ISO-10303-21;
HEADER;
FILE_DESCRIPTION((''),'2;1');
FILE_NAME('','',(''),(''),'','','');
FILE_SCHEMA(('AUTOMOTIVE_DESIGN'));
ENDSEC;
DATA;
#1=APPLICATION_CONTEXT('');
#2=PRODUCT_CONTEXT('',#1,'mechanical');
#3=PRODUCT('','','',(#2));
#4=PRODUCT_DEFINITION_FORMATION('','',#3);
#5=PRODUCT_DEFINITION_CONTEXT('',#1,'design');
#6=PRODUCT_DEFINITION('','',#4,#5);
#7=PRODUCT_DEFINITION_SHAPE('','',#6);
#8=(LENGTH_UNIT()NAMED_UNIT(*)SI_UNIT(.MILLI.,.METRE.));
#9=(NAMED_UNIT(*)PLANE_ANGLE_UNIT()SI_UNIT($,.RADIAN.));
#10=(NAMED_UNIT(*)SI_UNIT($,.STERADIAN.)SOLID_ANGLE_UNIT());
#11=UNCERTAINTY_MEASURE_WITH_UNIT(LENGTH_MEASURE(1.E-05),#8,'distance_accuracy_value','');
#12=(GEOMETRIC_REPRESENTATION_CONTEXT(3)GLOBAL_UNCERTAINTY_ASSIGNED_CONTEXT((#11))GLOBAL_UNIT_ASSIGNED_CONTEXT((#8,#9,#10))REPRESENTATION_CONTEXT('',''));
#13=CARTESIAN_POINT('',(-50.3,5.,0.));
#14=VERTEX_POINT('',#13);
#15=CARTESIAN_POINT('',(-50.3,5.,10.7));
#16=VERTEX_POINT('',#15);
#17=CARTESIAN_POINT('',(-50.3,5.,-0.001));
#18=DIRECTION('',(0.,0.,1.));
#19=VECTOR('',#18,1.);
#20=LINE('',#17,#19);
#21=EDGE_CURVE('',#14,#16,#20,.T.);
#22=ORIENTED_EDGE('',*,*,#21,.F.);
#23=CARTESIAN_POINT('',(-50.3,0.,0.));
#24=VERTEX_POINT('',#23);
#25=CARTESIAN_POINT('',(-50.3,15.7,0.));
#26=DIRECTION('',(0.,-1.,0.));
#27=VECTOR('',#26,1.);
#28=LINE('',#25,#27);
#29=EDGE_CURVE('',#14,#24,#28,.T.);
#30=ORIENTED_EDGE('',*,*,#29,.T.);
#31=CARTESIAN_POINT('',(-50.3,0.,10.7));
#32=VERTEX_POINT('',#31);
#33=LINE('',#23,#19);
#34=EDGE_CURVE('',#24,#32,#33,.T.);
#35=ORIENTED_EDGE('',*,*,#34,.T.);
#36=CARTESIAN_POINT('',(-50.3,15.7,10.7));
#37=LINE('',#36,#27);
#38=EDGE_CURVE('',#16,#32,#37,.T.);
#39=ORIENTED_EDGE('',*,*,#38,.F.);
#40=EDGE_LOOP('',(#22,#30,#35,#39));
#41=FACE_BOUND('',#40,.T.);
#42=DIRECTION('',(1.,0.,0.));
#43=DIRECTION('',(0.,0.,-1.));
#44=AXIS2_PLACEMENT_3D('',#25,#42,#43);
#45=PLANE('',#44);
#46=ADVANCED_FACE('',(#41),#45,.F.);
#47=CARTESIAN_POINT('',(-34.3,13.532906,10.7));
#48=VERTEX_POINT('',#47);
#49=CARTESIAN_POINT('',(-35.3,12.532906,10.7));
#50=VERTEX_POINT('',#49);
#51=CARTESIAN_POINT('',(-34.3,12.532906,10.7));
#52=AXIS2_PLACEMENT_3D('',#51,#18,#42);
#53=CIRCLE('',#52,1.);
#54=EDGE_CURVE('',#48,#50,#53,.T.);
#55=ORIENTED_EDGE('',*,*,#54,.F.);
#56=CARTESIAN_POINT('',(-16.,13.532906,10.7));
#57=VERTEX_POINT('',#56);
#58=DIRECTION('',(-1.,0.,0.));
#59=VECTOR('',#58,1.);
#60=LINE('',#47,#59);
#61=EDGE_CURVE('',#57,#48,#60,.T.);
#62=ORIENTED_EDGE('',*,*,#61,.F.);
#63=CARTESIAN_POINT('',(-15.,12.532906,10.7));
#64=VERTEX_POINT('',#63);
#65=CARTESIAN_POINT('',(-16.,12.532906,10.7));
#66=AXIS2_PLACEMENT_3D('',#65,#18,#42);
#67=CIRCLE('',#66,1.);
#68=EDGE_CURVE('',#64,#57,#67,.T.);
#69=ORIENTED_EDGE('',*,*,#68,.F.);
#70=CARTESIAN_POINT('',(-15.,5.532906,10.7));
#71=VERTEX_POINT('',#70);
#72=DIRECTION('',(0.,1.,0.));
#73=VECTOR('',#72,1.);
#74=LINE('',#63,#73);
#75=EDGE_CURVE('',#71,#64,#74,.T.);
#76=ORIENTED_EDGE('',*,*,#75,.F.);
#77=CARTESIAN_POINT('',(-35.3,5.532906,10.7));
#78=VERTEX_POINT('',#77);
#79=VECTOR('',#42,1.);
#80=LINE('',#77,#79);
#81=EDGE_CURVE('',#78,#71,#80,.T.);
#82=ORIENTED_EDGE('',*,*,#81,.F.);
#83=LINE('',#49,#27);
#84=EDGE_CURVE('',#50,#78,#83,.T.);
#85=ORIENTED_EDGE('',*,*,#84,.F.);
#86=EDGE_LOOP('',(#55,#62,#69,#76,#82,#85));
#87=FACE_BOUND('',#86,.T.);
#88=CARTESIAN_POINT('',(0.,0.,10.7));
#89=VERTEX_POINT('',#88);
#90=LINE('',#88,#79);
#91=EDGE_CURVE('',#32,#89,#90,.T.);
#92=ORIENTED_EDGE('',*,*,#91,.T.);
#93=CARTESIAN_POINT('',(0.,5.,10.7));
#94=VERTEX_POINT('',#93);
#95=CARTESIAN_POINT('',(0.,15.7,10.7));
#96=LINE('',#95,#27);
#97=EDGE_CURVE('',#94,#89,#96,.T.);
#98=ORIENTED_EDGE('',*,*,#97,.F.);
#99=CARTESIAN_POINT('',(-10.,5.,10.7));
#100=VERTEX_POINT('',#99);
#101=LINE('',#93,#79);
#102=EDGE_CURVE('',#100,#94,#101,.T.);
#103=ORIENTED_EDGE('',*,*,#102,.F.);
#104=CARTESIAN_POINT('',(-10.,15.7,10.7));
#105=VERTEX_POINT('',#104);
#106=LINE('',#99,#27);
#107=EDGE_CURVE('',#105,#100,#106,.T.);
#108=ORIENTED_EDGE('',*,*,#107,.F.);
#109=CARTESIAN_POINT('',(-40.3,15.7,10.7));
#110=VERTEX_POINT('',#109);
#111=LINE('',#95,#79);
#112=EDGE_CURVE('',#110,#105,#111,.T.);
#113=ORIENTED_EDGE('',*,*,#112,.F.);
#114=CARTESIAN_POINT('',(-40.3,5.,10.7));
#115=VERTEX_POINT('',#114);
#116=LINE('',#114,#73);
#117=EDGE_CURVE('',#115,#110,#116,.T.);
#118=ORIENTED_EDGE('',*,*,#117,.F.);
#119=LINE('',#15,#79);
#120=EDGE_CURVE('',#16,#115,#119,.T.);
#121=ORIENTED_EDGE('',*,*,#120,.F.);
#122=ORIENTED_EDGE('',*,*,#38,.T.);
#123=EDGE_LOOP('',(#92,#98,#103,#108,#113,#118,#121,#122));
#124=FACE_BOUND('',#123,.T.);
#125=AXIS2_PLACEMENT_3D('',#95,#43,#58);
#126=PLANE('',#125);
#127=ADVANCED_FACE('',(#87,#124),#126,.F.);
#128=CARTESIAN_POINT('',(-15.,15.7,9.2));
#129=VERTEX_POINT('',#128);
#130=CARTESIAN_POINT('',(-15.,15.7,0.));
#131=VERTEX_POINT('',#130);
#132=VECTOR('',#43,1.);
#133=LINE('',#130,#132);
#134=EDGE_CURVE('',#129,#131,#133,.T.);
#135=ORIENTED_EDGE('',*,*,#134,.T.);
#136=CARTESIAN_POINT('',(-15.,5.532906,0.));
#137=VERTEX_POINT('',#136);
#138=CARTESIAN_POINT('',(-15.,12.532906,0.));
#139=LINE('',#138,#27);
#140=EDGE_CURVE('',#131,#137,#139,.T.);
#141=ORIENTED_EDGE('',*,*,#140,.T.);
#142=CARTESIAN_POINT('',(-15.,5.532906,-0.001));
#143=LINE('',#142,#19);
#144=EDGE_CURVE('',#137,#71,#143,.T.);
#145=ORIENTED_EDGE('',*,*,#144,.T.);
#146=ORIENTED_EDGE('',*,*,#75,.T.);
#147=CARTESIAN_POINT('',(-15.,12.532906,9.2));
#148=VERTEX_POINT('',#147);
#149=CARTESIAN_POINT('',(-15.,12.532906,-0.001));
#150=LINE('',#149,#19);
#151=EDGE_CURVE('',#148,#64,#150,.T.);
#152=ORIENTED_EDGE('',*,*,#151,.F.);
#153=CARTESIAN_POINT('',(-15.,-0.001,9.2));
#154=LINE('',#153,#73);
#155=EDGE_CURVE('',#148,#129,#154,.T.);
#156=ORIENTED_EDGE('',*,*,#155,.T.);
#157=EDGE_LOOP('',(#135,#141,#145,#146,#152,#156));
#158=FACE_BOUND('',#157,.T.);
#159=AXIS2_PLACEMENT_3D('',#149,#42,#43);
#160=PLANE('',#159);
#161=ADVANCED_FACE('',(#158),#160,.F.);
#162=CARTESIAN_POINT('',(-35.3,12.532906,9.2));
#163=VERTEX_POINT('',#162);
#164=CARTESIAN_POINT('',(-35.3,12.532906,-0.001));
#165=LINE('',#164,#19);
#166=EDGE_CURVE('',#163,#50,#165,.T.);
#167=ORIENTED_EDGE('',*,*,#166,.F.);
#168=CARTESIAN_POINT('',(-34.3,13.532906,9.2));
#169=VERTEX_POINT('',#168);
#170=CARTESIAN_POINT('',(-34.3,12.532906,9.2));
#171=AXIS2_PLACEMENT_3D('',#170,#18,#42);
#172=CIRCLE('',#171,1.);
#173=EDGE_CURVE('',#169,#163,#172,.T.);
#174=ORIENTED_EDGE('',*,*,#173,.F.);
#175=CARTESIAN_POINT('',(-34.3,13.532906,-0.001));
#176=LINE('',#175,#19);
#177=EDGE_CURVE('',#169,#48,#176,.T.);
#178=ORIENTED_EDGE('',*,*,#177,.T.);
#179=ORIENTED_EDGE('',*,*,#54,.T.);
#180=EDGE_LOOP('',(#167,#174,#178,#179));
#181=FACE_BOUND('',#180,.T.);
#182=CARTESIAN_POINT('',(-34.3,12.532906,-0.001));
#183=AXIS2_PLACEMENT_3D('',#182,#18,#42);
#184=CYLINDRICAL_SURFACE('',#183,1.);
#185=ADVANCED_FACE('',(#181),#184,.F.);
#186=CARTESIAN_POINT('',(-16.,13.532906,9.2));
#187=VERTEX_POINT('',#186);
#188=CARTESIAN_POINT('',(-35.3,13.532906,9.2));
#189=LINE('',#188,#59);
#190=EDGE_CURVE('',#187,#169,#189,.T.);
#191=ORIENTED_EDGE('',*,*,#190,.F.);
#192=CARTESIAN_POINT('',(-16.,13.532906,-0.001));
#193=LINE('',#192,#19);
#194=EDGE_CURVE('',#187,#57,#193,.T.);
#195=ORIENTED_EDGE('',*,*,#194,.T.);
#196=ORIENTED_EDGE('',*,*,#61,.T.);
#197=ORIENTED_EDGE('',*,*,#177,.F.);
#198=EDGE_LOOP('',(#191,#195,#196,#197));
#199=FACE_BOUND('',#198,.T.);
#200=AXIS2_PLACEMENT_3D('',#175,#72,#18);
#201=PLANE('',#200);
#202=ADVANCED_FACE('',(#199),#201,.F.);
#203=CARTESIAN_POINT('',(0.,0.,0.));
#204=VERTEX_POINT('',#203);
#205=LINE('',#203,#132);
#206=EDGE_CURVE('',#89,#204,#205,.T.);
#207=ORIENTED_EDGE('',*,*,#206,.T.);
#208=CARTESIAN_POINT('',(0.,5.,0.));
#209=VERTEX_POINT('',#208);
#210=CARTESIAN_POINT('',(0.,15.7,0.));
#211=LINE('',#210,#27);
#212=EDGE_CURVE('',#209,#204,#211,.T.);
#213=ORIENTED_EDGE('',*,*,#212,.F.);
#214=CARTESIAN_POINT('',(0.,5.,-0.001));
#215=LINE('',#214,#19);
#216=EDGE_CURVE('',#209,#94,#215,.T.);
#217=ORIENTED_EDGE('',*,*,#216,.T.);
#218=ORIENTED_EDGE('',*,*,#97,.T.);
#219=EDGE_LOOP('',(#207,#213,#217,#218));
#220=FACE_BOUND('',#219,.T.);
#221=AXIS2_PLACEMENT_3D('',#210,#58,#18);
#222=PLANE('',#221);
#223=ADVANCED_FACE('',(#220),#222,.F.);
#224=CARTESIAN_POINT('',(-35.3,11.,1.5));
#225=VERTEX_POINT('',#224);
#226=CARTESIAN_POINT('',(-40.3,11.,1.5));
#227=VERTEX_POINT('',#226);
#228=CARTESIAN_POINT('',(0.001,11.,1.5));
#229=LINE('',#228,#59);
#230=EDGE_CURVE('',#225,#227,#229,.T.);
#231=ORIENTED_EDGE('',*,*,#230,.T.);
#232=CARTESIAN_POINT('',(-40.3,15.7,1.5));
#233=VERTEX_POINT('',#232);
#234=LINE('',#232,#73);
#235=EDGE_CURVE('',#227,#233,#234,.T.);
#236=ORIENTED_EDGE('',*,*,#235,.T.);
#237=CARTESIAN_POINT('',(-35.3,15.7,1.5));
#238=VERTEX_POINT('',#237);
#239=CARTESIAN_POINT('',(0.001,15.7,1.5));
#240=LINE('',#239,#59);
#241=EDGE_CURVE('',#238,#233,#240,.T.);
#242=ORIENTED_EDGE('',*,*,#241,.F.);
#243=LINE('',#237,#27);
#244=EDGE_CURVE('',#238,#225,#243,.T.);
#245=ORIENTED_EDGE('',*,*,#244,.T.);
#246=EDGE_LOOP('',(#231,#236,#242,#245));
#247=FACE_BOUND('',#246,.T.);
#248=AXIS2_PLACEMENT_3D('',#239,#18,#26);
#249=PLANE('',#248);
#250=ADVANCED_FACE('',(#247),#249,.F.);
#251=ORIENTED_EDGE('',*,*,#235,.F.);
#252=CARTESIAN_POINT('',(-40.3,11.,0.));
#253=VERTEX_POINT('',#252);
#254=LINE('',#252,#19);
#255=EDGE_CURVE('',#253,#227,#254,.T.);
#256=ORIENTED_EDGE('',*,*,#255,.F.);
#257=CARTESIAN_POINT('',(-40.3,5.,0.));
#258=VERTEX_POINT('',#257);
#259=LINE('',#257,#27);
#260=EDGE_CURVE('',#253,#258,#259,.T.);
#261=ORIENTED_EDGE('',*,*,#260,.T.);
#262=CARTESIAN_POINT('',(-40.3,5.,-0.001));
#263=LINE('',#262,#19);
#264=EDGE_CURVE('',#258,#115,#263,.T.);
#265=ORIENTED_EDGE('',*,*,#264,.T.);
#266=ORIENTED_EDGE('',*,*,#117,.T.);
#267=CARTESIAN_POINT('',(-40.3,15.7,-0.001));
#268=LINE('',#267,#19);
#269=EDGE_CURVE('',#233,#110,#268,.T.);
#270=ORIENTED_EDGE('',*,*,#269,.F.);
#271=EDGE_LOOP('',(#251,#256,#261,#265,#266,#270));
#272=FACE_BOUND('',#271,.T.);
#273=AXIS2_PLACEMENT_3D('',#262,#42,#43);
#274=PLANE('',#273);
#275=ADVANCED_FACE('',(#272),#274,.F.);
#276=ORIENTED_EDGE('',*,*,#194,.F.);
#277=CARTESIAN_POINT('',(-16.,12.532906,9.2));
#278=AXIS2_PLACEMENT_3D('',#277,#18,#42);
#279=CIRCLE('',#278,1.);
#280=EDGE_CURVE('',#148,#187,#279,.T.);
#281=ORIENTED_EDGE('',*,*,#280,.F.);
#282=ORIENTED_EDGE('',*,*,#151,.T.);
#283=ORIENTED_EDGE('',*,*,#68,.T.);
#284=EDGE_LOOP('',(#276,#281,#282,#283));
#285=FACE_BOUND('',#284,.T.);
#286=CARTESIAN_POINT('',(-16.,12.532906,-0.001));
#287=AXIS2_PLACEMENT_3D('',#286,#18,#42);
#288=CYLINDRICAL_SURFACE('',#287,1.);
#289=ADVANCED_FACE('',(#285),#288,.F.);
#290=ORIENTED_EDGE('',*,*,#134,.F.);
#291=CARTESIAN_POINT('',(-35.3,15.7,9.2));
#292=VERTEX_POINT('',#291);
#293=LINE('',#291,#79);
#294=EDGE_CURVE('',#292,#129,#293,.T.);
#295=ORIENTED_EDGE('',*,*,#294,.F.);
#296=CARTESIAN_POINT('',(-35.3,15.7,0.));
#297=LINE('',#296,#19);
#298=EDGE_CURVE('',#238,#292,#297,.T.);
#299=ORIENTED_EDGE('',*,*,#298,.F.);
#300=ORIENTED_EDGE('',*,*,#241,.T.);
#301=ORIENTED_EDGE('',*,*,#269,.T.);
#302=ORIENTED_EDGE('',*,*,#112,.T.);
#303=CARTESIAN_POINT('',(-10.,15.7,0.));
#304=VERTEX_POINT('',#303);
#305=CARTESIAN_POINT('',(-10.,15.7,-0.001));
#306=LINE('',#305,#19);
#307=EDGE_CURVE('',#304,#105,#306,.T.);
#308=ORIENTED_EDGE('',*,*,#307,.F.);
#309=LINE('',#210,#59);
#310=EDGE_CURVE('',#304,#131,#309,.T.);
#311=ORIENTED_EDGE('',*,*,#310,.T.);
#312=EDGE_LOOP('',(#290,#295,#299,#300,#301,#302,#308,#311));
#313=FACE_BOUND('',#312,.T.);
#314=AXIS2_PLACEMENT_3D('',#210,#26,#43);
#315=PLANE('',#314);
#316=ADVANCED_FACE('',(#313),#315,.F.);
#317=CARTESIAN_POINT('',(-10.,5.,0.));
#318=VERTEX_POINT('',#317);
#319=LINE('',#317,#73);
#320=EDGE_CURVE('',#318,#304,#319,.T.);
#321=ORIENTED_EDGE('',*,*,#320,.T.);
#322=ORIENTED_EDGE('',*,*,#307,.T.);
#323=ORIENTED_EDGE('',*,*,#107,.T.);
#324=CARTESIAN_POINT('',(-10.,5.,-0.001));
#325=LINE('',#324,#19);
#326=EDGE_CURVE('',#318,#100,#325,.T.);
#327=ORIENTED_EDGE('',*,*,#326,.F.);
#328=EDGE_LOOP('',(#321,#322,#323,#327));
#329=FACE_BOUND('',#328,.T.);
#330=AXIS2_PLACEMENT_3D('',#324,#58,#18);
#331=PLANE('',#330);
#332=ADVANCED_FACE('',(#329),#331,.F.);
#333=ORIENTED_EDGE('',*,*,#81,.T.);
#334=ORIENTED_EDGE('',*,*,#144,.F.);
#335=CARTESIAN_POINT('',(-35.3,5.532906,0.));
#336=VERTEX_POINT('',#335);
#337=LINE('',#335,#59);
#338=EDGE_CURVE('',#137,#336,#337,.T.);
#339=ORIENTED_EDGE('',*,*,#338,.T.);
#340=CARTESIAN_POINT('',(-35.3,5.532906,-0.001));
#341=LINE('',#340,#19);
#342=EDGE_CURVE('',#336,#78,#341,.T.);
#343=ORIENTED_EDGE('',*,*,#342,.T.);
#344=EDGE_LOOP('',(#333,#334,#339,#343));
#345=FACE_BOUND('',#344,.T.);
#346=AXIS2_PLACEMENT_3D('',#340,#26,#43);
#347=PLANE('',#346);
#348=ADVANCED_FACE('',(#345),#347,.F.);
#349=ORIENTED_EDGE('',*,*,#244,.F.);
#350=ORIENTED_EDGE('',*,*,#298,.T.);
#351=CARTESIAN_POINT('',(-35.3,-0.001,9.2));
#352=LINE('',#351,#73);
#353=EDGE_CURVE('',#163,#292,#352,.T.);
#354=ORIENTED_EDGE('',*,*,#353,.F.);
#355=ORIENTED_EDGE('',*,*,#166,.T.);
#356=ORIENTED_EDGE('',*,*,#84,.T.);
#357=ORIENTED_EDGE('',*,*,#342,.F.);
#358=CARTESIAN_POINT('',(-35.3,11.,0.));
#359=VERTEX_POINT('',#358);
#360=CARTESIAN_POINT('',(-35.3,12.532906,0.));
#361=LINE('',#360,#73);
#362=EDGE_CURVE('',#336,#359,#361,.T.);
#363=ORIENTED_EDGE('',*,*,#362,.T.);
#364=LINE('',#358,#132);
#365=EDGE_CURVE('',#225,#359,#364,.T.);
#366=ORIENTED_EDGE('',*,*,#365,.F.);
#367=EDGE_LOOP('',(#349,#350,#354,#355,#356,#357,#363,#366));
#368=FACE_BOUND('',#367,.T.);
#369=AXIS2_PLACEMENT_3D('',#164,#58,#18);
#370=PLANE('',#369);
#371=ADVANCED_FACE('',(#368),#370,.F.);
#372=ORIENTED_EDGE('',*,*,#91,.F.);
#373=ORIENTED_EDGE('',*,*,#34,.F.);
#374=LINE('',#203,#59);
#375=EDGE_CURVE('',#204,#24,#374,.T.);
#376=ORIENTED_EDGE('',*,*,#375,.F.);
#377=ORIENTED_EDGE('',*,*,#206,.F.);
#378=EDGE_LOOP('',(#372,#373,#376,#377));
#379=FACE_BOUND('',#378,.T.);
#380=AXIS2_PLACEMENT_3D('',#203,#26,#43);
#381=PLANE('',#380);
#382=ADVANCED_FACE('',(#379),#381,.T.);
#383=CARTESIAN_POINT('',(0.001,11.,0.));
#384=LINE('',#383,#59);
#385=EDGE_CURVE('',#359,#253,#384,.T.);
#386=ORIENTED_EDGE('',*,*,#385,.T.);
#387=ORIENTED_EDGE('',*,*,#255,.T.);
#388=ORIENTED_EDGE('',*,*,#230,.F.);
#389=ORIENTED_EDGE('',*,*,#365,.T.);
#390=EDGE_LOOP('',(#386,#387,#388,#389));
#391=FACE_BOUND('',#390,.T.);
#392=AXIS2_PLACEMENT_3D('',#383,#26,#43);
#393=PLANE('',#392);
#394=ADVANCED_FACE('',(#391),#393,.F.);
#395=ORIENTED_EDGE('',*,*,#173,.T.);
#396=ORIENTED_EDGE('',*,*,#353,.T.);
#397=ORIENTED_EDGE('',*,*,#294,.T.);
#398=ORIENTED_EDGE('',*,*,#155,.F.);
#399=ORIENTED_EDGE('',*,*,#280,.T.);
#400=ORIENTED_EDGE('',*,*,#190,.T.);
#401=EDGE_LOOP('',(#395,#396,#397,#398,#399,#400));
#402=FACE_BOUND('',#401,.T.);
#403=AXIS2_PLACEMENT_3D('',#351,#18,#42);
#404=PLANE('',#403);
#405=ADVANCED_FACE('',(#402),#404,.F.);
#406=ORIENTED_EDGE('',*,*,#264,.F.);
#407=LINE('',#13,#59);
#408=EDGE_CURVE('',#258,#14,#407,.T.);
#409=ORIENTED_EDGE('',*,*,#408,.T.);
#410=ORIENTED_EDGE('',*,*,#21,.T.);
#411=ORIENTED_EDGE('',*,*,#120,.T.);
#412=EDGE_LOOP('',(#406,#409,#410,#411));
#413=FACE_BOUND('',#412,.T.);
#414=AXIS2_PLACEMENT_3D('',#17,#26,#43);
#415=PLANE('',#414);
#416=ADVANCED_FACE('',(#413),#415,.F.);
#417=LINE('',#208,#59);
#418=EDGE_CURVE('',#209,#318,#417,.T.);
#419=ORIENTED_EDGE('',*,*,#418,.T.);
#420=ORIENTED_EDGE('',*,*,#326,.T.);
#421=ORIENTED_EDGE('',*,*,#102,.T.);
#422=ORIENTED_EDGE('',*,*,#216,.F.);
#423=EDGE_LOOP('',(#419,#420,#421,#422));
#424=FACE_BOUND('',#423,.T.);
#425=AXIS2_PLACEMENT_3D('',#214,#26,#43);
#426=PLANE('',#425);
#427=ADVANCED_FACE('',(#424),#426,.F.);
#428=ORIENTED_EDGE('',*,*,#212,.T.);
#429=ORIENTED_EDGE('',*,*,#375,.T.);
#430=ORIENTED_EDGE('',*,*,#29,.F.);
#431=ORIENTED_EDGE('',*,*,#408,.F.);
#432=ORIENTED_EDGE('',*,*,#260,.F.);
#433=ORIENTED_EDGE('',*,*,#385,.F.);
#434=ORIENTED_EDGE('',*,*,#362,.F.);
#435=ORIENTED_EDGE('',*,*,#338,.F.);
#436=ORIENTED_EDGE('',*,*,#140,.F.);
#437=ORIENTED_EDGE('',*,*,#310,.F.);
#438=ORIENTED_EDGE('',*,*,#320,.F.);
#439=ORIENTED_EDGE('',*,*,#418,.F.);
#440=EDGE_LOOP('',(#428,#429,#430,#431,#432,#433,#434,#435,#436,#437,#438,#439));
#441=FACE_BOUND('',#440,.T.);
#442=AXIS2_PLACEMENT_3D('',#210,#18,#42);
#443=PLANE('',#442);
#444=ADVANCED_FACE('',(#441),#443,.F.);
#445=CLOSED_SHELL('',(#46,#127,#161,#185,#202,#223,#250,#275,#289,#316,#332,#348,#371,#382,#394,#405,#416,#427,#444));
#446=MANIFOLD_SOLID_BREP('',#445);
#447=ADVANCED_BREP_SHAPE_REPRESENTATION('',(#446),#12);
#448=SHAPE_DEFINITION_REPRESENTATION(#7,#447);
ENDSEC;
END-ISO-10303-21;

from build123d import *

# Parameters (mm, degrees)
CROQUIS1_W              = 50.3
CROQUIS1_H              = 10.7
SALIENTE_EXTRUIR1_DEPTH = 15.7
CORTAR_EXTRUIR1_REACH   = 55.769
CROQUIS2_W              = 10
CROQUIS2_H              = 10.7
CORTAR_EXTRUIR2_REACH   = 55.769
CROQUIS3_W              = 20.3
CROQUIS3_H              = 9.2
CORTAR_EXTRUIR3_REACH   = 46.554
CROQUIS4_W              = 1.5
CROQUIS4_H              = 4.7


with BuildPart() as part:
    # Croquis1 → Saliente-Extruir1 (new body)
    with BuildSketch(Plane(origin=(0, 0, 0), x_dir=(1, 0, 0), z_dir=(0, 1, 0))):
        with Locations((-25.15, -5.35)):
            Rectangle(CROQUIS1_W, CROQUIS1_H)
    extrude(amount=SALIENTE_EXTRUIR1_DEPTH)

    # Croquis2 → Cortar-Extruir1 (cut, up to next)
    with BuildSketch(Plane.XY.offset(10.7), mode=Mode.PRIVATE) as cortar_extruir1_sk1:
        with Locations((-45.3, 10.35)):
            Rectangle(CROQUIS2_W, CROQUIS2_H)
    cortar_extruir1_tool1 = extrude(cortar_extruir1_sk1.sketch, amount=-CORTAR_EXTRUIR1_REACH, mode=Mode.PRIVATE) & part.part
    # Croquis2 → Cortar-Extruir1 (cut, up to next)
    with BuildSketch(Plane.XY.offset(10.7), mode=Mode.PRIVATE) as cortar_extruir1_sk2:
        with BuildLine():
            Line((-35.3, 5.532906309), (-15, 5.532906309))
            Line((-15, 5.532906309), (-15, 12.532906309))
            ThreePointArc((-15, 12.532906309), (-15.292893219, 13.240013091), (-16, 13.532906309))
            Line((-16, 13.532906309), (-34.3, 13.532906309))
            ThreePointArc((-34.3, 13.532906309), (-35.007106781, 13.240013091), (-35.3, 12.532906309))
            Line((-35.3, 12.532906309), (-35.3, 5.532906309))
        make_face()
    cortar_extruir1_tool2 = extrude(cortar_extruir1_sk2.sketch, amount=-CORTAR_EXTRUIR1_REACH, mode=Mode.PRIVATE) & part.part
    # Croquis2 → Cortar-Extruir1 (cut, up to next)
    with BuildSketch(Plane.XY.offset(10.7), mode=Mode.PRIVATE) as cortar_extruir1_sk3:
        with Locations((-5, 10.35)):
            Rectangle(CROQUIS2_W, CROQUIS2_H)
    cortar_extruir1_tool3 = extrude(cortar_extruir1_sk3.sketch, amount=-CORTAR_EXTRUIR1_REACH, mode=Mode.PRIVATE) & part.part
    add(cortar_extruir1_tool1.solids().sort_by_distance((-45.3, 10.35, 10.7))[0], mode=Mode.SUBTRACT)
    add(cortar_extruir1_tool2.solids().sort_by_distance((-25.15, 9.522899, 10.7))[0], mode=Mode.SUBTRACT)
    add(cortar_extruir1_tool3.solids().sort_by_distance((-5, 10.35, 10.7))[0], mode=Mode.SUBTRACT)

    # Croquis3 → Cortar-Extruir2 (cut, up to next)
    with BuildSketch(Plane(origin=(0, 15.7, 0), x_dir=(1, 0, 0), z_dir=(0, 1, 0)), mode=Mode.PRIVATE) as cortar_extruir2_sk1:
        with Locations((-25.15, -4.6)):
            Rectangle(CROQUIS3_W, CROQUIS3_H)
    cortar_extruir2_tool1 = extrude(cortar_extruir2_sk1.sketch, amount=-CORTAR_EXTRUIR2_REACH, mode=Mode.PRIVATE) & part.part
    add(cortar_extruir2_tool1.solids().sort_by_distance((-25.15, 15.7, 4.6))[0], mode=Mode.SUBTRACT)

    # Croquis4 → Cortar-Extruir3 (cut, up to next)
    with BuildSketch(Plane.ZY.offset(40.3), mode=Mode.PRIVATE) as cortar_extruir3_sk1:
        with Locations((0.75, 13.35)):
            Rectangle(CROQUIS4_W, CROQUIS4_H)
    cortar_extruir3_tool1 = extrude(cortar_extruir3_sk1.sketch, amount=-CORTAR_EXTRUIR3_REACH, mode=Mode.PRIVATE) & part.part
    add(cortar_extruir3_tool1.solids().sort_by_distance((-40.3, 13.35, 0.75))[0], mode=Mode.SUBTRACT)


solid = part.part
